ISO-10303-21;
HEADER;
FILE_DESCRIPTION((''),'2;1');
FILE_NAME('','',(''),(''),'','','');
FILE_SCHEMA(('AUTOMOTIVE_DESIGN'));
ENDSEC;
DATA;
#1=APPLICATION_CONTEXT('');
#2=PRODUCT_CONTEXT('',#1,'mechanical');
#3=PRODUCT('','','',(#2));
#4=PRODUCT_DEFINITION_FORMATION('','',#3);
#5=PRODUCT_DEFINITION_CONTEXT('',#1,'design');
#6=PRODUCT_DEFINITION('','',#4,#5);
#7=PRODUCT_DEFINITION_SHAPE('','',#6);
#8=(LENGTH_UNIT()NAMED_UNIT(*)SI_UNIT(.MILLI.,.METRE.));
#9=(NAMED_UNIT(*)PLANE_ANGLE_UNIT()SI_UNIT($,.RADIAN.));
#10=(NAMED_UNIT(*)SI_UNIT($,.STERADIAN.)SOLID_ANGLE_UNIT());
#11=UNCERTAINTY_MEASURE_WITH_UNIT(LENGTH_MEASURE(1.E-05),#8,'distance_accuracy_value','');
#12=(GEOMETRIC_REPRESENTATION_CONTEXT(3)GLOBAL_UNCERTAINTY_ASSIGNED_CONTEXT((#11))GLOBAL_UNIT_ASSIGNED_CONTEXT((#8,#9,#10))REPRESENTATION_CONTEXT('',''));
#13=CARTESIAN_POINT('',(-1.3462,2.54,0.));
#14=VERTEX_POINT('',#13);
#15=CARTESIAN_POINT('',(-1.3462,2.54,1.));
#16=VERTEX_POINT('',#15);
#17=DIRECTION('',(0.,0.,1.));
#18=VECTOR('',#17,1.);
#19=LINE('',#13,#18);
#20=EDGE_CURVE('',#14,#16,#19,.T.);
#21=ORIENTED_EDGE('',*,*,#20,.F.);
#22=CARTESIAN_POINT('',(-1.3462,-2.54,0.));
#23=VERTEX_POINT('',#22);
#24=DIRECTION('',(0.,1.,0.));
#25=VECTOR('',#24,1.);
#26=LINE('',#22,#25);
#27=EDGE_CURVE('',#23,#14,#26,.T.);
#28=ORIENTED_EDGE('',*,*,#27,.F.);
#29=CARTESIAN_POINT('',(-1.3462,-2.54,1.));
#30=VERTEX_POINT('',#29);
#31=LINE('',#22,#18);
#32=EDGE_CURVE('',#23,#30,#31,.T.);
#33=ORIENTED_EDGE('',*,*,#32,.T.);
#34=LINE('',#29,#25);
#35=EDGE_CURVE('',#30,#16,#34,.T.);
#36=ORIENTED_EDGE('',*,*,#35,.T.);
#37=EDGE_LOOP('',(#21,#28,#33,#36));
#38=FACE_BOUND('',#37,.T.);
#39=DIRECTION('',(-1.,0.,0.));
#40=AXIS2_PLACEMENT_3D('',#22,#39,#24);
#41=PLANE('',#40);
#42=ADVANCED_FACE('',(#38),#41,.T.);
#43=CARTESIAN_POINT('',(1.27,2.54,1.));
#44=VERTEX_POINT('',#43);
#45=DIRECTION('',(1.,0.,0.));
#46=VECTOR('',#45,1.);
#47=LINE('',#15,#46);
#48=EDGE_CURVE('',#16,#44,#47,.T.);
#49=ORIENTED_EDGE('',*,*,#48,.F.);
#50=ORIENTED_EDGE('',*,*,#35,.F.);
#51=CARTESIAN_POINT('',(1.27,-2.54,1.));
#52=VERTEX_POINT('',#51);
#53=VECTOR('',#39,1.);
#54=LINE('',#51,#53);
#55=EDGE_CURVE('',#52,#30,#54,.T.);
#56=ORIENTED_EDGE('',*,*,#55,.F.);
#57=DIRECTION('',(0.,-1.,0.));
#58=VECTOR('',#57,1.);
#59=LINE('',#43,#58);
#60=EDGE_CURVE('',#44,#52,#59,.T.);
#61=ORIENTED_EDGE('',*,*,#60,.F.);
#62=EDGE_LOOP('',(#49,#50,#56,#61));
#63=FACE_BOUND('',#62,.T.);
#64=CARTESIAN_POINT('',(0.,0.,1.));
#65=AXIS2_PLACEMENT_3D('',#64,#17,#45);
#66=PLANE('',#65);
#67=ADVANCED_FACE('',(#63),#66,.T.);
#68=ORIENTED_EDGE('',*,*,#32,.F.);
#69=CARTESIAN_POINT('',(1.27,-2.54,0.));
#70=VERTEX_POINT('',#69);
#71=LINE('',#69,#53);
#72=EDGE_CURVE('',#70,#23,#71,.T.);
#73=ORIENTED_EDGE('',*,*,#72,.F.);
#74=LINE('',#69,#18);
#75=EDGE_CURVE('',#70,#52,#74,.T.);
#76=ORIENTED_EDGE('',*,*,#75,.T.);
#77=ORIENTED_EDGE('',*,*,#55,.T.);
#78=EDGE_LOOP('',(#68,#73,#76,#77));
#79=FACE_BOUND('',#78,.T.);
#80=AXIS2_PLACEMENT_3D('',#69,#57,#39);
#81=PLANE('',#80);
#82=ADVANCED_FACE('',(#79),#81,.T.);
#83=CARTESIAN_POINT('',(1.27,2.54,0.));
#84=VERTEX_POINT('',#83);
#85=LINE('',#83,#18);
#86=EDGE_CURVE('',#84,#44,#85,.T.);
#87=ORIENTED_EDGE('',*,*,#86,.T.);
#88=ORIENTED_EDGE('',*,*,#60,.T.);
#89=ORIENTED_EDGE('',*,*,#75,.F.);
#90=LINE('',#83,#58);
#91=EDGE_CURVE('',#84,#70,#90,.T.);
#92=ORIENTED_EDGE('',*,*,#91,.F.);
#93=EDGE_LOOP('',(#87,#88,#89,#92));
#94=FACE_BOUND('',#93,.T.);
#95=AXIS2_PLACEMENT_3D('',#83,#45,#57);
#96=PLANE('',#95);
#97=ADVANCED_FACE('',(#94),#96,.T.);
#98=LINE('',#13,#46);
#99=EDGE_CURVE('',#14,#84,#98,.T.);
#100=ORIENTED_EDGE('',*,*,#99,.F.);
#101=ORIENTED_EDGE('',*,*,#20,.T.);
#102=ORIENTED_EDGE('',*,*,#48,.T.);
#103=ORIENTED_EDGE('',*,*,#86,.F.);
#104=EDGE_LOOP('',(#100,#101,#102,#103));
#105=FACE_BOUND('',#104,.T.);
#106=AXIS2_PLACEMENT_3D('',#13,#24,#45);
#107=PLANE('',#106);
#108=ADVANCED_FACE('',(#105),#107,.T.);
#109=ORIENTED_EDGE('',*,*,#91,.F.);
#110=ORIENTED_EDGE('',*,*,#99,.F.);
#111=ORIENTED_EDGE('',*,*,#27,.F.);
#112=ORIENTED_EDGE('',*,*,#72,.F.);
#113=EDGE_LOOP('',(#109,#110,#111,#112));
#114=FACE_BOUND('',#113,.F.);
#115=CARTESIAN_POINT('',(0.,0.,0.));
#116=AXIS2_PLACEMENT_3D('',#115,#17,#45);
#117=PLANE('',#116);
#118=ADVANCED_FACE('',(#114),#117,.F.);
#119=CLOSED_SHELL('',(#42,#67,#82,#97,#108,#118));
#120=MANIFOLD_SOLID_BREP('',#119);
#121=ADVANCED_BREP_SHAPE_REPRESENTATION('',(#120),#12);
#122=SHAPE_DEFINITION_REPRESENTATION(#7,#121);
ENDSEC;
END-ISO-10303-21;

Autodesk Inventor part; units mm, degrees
ref_plane "YZ Plane" through (0, 0, 0) normal (1, 0, 0) x (0, 1, 0)
ref_plane "XZ Plane" through (0, 0, 0) normal (0, 1, 0) x (-1, 0, 0)
ref_plane "XY Plane" through (0, 0, 0) normal (0, 0, 1) x (1, 0, 0)
sketch "JP1M, GND_63" plane through (0, 0, 0) normal (0, 0, 1) x (1, 0, 0)
  line L0 (-1.3462, 2.54) -> (1.27, 2.54)
  line L1 (1.27, 2.54) -> (1.27, -2.54)
  line L2 (1.27, -2.54) -> (-1.3462, -2.54)
  line L3 (-1.3462, -2.54) -> (-1.3462, 2.54)
extrude "Extrusion1" add sketch "JP1M, GND_63" along normal blind 1
properties part number "GND"
